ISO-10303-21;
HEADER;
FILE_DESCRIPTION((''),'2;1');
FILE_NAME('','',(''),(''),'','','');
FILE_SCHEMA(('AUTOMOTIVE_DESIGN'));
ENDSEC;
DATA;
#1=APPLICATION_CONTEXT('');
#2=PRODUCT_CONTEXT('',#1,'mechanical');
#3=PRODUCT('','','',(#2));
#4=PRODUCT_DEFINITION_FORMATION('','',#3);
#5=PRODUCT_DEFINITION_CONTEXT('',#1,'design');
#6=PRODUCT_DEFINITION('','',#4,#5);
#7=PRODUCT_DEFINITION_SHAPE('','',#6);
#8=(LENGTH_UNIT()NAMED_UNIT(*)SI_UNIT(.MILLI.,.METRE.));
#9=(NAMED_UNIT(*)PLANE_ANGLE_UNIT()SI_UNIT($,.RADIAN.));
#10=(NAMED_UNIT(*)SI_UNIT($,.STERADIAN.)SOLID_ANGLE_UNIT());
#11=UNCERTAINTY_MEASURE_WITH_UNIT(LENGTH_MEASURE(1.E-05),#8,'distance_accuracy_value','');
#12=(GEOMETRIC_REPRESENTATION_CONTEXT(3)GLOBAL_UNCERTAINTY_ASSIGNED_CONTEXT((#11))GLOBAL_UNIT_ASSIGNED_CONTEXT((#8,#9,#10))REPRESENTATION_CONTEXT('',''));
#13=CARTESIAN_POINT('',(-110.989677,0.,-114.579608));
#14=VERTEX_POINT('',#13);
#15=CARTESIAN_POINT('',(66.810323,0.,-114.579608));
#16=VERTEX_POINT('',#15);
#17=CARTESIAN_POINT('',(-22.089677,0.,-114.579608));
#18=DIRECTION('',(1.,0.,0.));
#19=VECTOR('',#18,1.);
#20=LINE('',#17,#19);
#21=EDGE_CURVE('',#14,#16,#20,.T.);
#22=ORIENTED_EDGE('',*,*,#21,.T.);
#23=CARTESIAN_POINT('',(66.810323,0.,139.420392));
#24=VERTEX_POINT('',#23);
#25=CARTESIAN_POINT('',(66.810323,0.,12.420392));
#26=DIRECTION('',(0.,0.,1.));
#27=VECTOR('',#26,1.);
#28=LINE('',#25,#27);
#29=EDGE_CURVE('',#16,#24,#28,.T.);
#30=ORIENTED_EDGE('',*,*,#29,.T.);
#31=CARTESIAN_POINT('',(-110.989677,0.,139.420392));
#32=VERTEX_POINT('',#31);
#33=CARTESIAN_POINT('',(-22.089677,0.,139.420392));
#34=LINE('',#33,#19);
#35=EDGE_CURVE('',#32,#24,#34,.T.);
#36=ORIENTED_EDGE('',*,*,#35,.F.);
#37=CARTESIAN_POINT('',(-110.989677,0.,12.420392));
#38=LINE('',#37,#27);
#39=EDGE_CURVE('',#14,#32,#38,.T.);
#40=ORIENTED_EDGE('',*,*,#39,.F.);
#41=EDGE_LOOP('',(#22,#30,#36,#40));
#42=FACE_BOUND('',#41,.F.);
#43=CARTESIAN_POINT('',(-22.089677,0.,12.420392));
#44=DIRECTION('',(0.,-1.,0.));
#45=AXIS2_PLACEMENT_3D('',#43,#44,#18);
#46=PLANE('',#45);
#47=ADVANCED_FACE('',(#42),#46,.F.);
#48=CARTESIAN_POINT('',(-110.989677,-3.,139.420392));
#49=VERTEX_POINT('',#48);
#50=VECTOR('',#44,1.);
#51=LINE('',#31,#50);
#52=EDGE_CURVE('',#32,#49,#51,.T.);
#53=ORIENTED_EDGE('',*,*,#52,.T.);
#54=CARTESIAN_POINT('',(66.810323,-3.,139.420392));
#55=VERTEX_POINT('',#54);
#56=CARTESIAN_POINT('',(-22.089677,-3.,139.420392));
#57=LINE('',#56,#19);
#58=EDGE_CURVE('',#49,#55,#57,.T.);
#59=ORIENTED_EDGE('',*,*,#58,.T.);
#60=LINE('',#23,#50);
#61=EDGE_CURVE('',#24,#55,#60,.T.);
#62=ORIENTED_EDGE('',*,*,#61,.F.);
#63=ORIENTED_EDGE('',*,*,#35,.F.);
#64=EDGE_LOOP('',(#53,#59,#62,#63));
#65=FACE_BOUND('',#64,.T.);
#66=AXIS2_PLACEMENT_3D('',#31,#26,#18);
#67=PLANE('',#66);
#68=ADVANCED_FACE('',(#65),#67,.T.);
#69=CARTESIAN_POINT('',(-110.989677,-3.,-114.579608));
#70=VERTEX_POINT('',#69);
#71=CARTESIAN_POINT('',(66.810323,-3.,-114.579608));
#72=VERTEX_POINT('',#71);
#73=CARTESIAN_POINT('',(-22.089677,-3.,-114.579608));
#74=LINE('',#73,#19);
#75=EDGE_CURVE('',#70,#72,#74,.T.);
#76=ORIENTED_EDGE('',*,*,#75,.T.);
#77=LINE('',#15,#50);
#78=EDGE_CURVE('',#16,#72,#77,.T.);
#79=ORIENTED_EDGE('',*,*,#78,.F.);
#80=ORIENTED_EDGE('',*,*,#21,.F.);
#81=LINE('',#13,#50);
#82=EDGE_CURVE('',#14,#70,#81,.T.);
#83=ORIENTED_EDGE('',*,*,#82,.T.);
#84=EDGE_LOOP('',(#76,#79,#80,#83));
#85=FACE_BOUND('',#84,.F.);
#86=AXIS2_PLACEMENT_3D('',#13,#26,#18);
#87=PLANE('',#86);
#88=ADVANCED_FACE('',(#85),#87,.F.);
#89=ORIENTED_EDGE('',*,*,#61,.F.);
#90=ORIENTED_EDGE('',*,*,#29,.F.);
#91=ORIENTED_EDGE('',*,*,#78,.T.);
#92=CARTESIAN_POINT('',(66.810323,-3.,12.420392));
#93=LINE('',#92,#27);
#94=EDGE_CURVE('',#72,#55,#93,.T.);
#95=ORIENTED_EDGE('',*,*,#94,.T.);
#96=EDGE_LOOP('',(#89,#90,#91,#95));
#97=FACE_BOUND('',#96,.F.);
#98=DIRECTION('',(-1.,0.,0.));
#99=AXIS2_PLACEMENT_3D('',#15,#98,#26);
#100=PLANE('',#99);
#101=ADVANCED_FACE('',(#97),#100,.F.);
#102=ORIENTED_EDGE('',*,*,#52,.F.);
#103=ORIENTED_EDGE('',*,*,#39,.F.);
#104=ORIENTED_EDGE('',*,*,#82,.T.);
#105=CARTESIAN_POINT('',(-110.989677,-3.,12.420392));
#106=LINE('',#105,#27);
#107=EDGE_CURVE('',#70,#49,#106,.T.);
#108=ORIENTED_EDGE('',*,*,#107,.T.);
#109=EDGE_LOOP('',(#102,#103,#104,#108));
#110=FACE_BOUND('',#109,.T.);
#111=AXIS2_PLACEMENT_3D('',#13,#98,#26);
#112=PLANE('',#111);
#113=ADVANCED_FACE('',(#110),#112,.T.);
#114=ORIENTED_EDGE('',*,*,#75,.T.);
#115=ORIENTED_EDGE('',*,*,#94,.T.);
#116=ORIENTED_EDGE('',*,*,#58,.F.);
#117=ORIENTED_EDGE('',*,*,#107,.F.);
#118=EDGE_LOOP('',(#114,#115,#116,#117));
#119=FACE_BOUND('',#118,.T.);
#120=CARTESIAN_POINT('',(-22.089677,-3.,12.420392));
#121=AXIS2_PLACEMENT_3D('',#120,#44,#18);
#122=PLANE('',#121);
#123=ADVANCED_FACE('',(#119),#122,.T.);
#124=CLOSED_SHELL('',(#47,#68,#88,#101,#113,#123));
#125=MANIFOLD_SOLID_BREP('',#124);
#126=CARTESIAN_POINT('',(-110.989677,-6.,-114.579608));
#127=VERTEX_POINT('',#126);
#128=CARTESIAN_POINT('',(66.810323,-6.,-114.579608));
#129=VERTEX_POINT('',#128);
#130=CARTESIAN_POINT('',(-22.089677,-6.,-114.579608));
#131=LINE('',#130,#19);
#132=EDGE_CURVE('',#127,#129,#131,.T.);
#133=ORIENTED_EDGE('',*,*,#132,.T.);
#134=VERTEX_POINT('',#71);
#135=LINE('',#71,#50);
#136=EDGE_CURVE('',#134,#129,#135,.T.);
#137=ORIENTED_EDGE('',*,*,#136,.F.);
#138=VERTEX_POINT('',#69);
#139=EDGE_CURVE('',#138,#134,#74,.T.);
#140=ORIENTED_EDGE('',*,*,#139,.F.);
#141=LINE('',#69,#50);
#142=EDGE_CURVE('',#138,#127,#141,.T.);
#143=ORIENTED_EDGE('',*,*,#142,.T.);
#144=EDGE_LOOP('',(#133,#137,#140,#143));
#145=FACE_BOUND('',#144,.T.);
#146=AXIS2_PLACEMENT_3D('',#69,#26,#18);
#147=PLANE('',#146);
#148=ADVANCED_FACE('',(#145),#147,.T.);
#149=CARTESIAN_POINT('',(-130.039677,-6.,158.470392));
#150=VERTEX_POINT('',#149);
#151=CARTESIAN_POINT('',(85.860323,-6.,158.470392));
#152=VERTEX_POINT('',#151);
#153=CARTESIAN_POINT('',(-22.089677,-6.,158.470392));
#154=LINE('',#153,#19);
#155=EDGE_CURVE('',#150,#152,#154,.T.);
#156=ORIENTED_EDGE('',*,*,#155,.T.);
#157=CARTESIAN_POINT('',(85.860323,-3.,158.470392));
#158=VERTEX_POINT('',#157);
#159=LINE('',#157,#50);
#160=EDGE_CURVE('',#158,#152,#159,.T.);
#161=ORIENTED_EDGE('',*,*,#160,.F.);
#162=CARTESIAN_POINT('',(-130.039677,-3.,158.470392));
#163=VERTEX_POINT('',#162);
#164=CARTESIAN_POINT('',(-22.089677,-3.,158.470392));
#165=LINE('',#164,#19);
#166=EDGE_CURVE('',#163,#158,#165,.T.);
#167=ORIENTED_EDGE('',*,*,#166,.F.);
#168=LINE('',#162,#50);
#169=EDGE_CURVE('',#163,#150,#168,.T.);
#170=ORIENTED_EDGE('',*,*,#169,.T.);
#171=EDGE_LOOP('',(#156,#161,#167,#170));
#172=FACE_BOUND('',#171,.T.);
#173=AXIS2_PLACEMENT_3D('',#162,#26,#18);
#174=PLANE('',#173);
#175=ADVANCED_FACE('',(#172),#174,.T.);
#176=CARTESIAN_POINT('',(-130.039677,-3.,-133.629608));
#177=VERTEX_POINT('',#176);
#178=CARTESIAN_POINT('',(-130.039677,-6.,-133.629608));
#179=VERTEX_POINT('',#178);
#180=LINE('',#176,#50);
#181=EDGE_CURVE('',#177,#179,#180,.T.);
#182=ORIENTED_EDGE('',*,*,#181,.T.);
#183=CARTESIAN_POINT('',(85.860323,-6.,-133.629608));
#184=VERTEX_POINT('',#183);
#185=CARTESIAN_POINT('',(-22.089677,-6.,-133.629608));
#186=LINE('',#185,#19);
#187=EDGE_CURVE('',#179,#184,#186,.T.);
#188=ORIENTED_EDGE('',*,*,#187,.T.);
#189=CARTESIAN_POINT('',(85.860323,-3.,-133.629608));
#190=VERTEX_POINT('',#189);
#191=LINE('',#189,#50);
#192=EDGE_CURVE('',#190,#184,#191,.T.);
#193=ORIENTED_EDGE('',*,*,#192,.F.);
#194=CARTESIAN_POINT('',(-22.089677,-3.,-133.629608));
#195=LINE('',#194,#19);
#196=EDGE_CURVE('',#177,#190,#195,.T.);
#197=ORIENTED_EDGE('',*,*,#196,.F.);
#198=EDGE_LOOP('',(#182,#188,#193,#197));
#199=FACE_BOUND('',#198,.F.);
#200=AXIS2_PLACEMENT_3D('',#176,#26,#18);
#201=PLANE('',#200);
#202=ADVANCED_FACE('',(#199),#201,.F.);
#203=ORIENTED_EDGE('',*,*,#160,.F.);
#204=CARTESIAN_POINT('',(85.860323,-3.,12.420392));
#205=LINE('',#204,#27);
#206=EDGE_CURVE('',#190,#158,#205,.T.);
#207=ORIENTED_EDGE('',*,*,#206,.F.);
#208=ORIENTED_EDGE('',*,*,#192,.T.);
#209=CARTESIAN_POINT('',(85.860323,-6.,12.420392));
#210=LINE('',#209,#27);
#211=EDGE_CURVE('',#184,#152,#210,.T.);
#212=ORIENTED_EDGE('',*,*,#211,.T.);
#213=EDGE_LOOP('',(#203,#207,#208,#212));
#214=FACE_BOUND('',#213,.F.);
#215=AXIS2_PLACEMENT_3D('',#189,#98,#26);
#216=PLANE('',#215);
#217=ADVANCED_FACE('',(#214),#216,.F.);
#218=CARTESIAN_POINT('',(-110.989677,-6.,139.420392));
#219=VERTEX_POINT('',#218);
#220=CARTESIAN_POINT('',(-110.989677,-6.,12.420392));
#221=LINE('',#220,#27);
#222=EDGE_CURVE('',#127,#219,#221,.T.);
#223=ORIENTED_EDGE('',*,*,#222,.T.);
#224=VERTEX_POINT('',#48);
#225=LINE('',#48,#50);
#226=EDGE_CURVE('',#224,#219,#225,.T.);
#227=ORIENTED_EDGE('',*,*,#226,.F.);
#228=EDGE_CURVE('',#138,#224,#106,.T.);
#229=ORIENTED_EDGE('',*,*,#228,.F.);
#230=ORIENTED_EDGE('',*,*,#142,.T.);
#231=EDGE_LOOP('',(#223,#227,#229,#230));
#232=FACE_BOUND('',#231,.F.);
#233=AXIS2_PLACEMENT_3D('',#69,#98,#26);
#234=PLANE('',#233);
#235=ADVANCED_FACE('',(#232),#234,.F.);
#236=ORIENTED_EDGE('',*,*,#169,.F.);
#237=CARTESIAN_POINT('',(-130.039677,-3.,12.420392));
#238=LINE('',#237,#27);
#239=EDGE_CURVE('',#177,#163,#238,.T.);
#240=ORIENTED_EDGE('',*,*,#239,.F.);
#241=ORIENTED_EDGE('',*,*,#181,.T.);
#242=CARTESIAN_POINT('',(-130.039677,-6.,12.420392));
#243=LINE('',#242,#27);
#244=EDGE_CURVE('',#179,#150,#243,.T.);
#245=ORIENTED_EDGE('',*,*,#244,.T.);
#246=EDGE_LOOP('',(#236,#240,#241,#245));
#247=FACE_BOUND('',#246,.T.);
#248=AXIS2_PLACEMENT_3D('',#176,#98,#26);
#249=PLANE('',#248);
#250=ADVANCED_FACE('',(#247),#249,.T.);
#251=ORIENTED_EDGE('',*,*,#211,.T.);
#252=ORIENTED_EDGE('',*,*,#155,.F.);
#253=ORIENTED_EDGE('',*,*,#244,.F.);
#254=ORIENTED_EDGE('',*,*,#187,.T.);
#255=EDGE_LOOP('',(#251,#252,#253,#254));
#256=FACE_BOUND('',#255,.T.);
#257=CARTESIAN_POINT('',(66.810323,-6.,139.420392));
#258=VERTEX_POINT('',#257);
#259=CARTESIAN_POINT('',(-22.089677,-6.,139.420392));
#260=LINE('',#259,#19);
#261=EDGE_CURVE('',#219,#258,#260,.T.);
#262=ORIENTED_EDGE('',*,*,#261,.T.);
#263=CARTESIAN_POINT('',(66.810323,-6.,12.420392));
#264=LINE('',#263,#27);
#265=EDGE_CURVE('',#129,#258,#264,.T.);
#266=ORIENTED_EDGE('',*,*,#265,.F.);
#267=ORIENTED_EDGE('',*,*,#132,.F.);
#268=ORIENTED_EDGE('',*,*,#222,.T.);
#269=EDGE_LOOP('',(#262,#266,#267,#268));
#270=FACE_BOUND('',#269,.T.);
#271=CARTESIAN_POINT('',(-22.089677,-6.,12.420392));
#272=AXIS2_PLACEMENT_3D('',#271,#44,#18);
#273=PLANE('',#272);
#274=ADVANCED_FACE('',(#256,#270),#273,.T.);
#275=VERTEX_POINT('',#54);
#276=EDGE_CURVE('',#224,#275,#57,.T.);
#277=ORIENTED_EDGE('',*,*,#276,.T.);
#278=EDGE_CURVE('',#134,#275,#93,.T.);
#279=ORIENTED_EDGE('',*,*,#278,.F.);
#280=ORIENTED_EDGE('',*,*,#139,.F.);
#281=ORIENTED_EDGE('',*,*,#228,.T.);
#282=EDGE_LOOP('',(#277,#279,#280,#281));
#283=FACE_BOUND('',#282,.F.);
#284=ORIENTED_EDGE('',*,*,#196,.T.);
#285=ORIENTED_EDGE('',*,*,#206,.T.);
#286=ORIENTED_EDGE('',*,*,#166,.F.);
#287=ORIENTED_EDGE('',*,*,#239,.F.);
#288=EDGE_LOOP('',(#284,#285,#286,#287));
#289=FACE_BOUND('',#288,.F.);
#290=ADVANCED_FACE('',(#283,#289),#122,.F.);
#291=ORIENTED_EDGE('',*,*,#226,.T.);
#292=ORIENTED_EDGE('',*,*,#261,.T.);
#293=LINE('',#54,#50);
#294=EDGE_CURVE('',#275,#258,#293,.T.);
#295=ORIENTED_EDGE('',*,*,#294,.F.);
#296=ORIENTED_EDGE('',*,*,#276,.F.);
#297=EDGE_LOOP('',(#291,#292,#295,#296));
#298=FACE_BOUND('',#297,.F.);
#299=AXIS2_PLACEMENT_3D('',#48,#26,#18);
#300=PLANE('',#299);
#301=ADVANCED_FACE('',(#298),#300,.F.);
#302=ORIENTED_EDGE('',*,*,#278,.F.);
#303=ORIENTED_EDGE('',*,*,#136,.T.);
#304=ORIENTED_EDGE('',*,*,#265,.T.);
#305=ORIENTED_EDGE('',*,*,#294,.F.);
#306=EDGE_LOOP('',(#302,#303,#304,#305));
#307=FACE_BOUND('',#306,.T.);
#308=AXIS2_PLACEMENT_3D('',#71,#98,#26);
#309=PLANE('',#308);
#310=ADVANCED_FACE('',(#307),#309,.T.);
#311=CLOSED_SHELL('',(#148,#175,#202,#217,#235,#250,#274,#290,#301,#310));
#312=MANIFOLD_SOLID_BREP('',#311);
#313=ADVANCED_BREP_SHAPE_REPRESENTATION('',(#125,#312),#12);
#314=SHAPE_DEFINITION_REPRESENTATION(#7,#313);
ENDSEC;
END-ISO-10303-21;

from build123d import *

# Parameters (mm, degrees)
F0_W     = 177.8
F0_H     = 254
F1_DEPTH = 3
F2_W     = 215.9
F2_H     = 292.1
F2_W_2   = 177.8
F2_H_2   = 254
F3_DEPTH = 3


with BuildPart() as f1:
    # F0 (on Front) → F1 (new body)
    with BuildSketch(Plane.XZ):
        with Locations((-22.089677, 12.420392)):
            Rectangle(F0_W, F0_H)
    extrude(amount=F1_DEPTH)


with BuildPart() as f3:
    # F2 (on face) → F3 (new body)
    with BuildSketch(Plane.XZ.offset(3)):
        with Locations((-22.089677, 12.420392)):
            Rectangle(F2_W, F2_H)
        with Locations((-22.089677, 12.420392)):
            Rectangle(F2_W_2, F2_H_2, mode=Mode.SUBTRACT)
    extrude(amount=F3_DEPTH)


solid = Compound([f1.part, f3.part])
